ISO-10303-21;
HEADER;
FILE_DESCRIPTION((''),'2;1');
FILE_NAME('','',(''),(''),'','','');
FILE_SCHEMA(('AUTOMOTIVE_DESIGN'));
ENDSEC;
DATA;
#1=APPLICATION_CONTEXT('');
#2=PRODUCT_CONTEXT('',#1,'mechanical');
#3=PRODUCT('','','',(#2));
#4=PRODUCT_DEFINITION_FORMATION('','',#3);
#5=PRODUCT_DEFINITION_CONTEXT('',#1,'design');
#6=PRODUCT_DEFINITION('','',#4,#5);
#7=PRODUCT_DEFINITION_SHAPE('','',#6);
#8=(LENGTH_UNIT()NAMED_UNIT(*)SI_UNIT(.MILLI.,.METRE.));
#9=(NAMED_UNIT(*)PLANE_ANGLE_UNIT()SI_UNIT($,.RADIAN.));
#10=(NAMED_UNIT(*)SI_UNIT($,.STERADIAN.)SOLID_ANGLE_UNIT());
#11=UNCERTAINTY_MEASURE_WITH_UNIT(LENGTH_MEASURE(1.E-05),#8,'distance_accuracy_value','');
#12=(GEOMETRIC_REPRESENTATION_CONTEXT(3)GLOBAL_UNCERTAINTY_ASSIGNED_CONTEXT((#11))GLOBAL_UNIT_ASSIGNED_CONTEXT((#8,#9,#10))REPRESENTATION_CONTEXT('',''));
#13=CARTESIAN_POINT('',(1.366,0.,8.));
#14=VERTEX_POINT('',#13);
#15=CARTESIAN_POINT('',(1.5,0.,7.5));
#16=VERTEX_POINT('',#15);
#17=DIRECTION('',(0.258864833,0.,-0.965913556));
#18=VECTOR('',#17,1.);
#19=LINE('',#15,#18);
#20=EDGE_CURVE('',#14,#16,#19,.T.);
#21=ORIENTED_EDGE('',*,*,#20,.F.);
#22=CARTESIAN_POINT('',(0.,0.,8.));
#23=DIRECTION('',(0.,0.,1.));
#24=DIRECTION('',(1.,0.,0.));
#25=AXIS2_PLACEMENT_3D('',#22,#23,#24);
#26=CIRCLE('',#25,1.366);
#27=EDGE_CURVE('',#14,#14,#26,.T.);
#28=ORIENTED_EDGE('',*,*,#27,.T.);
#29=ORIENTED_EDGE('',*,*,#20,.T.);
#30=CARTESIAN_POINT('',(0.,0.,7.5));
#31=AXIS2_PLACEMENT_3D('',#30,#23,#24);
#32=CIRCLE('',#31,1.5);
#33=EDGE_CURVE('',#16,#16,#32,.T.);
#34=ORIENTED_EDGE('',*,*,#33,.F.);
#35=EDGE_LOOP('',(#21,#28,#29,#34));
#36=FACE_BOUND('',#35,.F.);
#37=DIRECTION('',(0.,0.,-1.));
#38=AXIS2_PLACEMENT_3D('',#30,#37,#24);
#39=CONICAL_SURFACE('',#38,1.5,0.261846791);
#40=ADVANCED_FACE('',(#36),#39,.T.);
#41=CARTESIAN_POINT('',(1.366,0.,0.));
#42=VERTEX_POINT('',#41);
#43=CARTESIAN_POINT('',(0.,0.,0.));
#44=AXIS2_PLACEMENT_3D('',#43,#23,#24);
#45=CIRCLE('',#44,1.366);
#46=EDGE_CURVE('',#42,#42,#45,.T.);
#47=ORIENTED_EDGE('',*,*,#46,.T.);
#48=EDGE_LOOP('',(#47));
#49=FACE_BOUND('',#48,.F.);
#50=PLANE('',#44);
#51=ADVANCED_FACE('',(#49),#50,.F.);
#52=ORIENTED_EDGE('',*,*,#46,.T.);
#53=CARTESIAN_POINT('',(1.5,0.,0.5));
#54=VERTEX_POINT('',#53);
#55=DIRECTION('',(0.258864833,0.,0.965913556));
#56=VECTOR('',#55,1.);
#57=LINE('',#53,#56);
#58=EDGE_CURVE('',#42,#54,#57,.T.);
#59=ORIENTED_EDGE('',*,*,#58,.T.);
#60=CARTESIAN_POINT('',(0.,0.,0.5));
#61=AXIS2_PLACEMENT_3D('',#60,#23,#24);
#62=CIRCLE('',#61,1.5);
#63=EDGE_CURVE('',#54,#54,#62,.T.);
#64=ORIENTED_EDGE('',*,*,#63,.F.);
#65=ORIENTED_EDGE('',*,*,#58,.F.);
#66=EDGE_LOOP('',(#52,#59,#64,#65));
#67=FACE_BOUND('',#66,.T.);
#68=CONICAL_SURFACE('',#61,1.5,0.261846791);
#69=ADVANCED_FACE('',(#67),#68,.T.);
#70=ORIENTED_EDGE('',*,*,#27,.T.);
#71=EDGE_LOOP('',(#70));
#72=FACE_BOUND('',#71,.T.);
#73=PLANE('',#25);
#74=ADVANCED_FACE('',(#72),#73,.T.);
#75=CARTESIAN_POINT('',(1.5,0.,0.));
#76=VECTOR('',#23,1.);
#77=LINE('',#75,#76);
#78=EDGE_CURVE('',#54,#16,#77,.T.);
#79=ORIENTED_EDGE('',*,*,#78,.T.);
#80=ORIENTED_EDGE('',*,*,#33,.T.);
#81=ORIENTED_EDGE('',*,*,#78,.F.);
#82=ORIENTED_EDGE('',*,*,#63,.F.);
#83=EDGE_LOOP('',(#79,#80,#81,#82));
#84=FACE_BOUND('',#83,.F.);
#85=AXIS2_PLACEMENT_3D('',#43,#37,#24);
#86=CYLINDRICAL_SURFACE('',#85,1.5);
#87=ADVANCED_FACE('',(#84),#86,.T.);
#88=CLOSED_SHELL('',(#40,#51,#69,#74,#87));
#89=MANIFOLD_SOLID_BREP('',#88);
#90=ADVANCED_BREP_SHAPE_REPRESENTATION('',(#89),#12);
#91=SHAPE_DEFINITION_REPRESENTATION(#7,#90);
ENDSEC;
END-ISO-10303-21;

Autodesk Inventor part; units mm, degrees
ref_plane "YZ Plane" through (0, 0, 0) normal (1, 0, 0) x (0, 1, 0)
ref_plane "XZ Plane" through (0, 0, 0) normal (0, 1, 0) x (-1, 0, 0)
ref_plane "XY Plane" through (0, 0, 0) normal (0, 0, 1) x (1, 0, 0)
sketch "スケッチ1" plane through (0, 0, 0) normal (0, 0, 1) x (1, 0, 0)
  circle A0 centre (0, 0) radius 1.5
  dimension "d0" = 3
extrude "押し出し1" add sketch "スケッチ1" along normal blind 8
chamfer "面取り1" distance 0.134 distance2 0.5 1 edges at (-1.5, 0, 8) measured on face at (0.3743, -0.3316, 8)
chamfer "面取り2" distance 0.134 distance2 0.5 1 edges at (-1.5, 0, 0) measured on face at (0.3743, -0.3316, 0)
properties part number "平行ピンΦ3.8" material "鋼、高強度、低合金"
